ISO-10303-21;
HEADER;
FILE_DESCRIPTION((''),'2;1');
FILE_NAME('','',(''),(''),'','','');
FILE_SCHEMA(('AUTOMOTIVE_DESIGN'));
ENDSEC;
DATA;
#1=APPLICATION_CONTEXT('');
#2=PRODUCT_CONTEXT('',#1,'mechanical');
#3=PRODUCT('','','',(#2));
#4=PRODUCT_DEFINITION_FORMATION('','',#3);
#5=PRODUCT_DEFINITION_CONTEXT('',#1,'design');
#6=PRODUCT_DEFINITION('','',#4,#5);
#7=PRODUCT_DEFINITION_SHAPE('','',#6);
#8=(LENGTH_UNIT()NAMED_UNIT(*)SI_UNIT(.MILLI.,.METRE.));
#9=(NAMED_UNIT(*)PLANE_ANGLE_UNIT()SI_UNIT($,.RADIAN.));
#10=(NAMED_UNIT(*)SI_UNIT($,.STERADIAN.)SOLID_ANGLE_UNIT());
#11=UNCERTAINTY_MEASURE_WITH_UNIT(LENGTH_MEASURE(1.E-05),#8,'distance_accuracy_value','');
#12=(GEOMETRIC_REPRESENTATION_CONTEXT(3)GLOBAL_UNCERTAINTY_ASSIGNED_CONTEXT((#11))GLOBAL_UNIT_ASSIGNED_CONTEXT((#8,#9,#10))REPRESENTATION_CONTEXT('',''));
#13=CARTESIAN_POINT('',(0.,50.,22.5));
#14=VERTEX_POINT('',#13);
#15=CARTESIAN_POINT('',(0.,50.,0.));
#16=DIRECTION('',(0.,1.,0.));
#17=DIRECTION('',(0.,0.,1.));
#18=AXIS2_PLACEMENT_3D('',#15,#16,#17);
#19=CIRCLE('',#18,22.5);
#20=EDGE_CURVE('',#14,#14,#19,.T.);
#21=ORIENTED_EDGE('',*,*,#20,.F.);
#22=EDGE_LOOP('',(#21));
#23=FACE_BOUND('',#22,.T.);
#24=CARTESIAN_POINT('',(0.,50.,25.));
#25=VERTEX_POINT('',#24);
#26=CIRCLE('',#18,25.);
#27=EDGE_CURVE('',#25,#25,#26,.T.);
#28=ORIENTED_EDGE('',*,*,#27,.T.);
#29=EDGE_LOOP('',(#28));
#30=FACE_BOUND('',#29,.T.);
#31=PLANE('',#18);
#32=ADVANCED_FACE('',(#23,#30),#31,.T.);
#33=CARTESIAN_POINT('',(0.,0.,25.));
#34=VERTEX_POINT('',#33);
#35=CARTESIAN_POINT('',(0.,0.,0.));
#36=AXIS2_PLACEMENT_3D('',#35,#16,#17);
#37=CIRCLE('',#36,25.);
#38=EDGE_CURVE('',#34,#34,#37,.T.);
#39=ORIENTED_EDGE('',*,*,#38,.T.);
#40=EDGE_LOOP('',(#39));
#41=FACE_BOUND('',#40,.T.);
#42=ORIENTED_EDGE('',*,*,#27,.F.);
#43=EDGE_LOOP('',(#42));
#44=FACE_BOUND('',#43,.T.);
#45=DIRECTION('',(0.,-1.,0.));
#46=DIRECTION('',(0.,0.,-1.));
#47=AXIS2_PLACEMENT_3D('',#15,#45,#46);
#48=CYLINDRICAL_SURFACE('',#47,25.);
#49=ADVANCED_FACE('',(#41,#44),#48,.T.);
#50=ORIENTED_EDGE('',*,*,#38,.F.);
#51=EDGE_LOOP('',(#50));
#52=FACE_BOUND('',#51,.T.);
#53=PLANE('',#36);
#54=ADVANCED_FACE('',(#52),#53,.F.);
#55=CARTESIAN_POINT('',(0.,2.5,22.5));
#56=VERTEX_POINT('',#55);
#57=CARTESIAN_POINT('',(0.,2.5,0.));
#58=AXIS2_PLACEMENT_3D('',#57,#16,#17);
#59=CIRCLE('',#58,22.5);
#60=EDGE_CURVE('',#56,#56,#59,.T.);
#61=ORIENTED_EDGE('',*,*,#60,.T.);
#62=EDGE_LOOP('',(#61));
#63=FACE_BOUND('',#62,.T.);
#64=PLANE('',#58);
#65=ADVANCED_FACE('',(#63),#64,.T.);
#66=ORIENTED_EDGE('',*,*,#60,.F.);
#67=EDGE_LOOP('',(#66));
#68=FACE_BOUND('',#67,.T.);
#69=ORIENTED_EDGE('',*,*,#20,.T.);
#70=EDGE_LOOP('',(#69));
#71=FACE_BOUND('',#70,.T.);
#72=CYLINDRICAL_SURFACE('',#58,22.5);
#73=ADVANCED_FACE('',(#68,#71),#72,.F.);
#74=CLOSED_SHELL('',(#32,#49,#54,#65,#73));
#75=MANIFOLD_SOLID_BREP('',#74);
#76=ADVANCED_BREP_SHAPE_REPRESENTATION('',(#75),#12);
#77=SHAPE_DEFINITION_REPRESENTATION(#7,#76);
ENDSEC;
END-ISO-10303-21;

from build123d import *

# Parameters (mm, degrees)
ESBO_O1_R                = 25
RESSALTO_EXTRUS_O1_DEPTH = 50
ESBO_O2_R                = 22.5
CORTE_EXTRUS_O1_DEPTH    = 47.5


with BuildPart() as part:
    # Esboço1 → Ressalto-extrusão1 (new body)
    with BuildSketch(Plane(origin=(0, 0, 0), x_dir=(1, 0, 0), z_dir=(0, 1, 0))):
        with Locations(Location((0, 0, 0), (0, 0, 270))):
            Circle(ESBO_O1_R)
    extrude(amount=RESSALTO_EXTRUS_O1_DEPTH)

    # Esboço2 → Corte-extrusão1 (cut)
    with BuildSketch(Plane(origin=(0, 50, 0), x_dir=(1, 0, 0), z_dir=(0, 1, 0))):
        with Locations(Location((0, 0, 0), (0, 0, 270))):
            Circle(ESBO_O2_R)
    extrude(amount=-CORTE_EXTRUS_O1_DEPTH, mode=Mode.SUBTRACT)


solid = part.part
